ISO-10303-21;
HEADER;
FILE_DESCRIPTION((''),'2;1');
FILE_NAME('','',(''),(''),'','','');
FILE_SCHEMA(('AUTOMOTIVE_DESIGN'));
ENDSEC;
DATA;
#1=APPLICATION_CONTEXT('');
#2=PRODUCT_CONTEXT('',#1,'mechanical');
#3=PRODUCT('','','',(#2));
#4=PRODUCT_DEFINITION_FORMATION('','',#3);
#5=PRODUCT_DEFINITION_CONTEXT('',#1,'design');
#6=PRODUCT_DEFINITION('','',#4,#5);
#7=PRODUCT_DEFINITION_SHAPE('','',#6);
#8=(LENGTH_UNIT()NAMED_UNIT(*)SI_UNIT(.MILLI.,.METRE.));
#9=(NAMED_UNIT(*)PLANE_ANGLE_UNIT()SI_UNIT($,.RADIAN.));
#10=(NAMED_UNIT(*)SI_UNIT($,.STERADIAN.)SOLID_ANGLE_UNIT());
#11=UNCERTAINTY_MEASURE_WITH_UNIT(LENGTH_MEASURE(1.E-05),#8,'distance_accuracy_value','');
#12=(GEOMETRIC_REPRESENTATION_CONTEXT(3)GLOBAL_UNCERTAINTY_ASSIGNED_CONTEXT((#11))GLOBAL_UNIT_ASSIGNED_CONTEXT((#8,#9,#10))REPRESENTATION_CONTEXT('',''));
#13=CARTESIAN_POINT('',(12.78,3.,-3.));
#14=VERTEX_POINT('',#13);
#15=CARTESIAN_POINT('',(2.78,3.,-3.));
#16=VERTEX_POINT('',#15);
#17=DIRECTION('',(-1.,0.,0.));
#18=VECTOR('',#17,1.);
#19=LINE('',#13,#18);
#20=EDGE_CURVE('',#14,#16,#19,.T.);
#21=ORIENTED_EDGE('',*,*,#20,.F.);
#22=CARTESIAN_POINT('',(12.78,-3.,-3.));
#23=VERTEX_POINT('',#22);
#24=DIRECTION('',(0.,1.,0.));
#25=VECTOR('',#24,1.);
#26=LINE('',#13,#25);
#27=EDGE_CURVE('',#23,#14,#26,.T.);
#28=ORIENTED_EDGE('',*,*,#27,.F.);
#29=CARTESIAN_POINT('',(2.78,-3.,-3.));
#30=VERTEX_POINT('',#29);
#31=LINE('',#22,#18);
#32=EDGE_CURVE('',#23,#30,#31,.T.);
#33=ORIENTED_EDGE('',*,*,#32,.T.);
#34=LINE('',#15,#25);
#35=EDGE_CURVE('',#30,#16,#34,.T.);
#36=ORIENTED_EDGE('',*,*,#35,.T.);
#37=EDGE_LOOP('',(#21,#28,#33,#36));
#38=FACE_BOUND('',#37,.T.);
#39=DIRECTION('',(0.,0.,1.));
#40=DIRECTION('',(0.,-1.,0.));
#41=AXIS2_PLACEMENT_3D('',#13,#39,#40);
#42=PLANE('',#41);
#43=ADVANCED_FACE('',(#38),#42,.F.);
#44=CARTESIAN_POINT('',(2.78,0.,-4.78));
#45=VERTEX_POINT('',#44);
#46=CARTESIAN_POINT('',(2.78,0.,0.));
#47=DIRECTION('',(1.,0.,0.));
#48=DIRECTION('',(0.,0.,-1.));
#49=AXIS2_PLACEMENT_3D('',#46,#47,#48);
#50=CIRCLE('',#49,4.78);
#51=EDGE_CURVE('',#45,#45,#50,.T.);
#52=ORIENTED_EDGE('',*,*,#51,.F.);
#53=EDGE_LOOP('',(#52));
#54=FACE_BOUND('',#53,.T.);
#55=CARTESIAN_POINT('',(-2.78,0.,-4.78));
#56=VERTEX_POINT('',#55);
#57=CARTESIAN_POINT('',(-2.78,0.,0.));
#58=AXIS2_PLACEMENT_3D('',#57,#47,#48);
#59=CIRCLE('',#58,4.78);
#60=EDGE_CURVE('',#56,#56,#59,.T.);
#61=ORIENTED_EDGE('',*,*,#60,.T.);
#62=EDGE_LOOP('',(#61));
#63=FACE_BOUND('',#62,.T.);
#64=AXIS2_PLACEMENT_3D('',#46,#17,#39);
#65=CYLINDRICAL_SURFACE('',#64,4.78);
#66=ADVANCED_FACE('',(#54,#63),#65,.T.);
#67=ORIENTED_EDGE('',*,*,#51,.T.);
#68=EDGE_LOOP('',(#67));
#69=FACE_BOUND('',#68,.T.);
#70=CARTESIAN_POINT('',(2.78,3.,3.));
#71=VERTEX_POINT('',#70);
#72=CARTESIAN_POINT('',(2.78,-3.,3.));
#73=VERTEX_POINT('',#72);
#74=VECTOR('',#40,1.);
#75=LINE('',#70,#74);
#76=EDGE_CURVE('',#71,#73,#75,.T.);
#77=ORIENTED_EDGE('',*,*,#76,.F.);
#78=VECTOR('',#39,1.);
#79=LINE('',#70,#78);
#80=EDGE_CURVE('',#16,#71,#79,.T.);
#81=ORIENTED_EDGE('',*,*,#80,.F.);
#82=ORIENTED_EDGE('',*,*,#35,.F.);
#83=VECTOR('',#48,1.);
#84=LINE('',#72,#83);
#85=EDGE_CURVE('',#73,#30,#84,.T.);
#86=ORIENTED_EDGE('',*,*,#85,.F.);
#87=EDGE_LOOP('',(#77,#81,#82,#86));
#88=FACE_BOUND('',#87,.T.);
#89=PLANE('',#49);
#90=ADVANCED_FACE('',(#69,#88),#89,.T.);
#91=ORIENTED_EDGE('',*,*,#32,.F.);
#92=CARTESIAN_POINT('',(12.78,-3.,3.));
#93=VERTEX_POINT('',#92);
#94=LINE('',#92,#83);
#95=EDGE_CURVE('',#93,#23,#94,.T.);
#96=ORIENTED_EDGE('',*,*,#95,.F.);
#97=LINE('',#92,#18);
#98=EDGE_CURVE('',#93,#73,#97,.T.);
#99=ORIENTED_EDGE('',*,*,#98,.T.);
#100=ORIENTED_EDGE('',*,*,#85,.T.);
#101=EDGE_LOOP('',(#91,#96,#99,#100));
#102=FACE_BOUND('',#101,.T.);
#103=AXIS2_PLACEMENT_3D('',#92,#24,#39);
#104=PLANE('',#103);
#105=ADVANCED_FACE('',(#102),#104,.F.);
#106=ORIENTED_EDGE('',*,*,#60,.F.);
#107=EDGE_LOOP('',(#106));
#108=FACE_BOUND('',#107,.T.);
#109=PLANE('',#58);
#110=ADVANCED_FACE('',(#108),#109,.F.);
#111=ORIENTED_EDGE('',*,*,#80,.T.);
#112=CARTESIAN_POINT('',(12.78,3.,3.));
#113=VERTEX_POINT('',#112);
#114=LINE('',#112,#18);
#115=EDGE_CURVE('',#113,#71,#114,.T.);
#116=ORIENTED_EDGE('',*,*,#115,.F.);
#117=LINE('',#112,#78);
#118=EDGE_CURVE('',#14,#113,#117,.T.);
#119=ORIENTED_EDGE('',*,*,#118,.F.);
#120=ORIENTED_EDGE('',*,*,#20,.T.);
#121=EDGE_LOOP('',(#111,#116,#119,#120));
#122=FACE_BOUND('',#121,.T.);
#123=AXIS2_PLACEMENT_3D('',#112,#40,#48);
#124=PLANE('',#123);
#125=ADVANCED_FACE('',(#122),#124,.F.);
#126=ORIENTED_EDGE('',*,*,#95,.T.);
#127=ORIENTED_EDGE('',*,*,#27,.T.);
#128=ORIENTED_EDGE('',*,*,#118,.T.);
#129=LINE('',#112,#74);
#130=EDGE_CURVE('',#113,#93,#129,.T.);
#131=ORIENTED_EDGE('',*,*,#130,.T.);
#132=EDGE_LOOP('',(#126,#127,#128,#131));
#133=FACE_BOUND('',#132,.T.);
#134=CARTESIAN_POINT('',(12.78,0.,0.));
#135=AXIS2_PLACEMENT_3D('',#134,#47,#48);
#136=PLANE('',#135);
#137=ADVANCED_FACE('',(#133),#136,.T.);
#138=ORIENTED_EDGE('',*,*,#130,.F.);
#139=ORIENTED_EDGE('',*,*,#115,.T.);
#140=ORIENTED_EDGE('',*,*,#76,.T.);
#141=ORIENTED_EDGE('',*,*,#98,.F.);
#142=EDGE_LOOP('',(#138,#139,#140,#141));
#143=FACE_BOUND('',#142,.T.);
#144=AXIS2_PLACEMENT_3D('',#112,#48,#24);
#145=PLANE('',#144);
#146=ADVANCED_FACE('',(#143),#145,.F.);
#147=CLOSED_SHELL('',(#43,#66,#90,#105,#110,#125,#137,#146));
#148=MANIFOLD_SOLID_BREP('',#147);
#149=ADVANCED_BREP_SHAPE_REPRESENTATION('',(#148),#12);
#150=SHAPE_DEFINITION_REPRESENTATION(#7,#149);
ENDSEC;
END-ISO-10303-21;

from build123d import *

# Parameters (mm, degrees)
SKETCH1_R           = 4.78
BOSS_EXTRUDE1_DEPTH = 2.78
SKETCH2_W           = 6
SKETCH2_H           = 6
BOSS_EXTRUDE2_DEPTH = 10


with BuildPart() as part:
    # Sketch1 → Boss-Extrude1 (new, symmetric)
    with BuildSketch(Plane(origin=(0, 0, 0), x_dir=(0, 0, -1), z_dir=(1, 0, 0))):
        Circle(SKETCH1_R)
    extrude(amount=BOSS_EXTRUDE1_DEPTH, both=True)

    # Sketch2 → Boss-Extrude2 (add)
    with BuildSketch(Plane(origin=(2.78, 0, 0), x_dir=(0, 0, -1), z_dir=(1, 0, 0))):
        Rectangle(SKETCH2_W, SKETCH2_H)
    extrude(amount=BOSS_EXTRUDE2_DEPTH)


solid = part.part
